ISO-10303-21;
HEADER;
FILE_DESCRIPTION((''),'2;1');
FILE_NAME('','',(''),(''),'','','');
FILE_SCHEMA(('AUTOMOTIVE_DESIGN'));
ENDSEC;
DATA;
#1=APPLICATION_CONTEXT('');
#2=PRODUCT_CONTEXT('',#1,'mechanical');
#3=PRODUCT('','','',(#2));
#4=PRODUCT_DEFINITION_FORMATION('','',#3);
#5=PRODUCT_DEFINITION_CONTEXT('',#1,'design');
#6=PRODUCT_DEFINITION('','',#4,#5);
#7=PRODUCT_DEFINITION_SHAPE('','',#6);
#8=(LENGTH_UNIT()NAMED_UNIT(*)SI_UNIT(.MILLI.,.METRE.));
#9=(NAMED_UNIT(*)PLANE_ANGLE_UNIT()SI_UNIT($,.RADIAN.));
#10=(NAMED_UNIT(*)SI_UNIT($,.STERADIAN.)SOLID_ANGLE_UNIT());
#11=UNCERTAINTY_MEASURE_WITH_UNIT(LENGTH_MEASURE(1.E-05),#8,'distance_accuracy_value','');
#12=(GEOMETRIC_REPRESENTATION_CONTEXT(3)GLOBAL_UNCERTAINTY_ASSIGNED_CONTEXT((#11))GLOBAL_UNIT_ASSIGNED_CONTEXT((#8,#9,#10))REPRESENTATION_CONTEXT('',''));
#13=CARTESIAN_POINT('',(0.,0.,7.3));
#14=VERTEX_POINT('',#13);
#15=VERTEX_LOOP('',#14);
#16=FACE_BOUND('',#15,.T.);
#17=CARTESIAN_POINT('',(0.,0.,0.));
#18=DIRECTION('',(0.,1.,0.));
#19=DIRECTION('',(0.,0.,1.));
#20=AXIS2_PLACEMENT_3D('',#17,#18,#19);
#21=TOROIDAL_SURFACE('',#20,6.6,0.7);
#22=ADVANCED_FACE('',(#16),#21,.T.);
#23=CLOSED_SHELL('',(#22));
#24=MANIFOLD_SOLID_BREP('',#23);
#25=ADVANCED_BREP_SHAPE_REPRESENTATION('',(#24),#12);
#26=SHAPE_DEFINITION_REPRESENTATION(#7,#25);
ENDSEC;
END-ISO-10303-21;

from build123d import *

# Parameters (mm, degrees)
SKETCH_1_R = 0.7


with BuildPart() as part:
    # Эскиз1 → Повернуть1 (revolve)
    with BuildSketch(Plane.XY):
        with Locations((-6.6, 0)):
            Circle(SKETCH_1_R)
    revolve(axis=Axis((0, 0.825, 0), (0, -1, 0)))


solid = part.part
